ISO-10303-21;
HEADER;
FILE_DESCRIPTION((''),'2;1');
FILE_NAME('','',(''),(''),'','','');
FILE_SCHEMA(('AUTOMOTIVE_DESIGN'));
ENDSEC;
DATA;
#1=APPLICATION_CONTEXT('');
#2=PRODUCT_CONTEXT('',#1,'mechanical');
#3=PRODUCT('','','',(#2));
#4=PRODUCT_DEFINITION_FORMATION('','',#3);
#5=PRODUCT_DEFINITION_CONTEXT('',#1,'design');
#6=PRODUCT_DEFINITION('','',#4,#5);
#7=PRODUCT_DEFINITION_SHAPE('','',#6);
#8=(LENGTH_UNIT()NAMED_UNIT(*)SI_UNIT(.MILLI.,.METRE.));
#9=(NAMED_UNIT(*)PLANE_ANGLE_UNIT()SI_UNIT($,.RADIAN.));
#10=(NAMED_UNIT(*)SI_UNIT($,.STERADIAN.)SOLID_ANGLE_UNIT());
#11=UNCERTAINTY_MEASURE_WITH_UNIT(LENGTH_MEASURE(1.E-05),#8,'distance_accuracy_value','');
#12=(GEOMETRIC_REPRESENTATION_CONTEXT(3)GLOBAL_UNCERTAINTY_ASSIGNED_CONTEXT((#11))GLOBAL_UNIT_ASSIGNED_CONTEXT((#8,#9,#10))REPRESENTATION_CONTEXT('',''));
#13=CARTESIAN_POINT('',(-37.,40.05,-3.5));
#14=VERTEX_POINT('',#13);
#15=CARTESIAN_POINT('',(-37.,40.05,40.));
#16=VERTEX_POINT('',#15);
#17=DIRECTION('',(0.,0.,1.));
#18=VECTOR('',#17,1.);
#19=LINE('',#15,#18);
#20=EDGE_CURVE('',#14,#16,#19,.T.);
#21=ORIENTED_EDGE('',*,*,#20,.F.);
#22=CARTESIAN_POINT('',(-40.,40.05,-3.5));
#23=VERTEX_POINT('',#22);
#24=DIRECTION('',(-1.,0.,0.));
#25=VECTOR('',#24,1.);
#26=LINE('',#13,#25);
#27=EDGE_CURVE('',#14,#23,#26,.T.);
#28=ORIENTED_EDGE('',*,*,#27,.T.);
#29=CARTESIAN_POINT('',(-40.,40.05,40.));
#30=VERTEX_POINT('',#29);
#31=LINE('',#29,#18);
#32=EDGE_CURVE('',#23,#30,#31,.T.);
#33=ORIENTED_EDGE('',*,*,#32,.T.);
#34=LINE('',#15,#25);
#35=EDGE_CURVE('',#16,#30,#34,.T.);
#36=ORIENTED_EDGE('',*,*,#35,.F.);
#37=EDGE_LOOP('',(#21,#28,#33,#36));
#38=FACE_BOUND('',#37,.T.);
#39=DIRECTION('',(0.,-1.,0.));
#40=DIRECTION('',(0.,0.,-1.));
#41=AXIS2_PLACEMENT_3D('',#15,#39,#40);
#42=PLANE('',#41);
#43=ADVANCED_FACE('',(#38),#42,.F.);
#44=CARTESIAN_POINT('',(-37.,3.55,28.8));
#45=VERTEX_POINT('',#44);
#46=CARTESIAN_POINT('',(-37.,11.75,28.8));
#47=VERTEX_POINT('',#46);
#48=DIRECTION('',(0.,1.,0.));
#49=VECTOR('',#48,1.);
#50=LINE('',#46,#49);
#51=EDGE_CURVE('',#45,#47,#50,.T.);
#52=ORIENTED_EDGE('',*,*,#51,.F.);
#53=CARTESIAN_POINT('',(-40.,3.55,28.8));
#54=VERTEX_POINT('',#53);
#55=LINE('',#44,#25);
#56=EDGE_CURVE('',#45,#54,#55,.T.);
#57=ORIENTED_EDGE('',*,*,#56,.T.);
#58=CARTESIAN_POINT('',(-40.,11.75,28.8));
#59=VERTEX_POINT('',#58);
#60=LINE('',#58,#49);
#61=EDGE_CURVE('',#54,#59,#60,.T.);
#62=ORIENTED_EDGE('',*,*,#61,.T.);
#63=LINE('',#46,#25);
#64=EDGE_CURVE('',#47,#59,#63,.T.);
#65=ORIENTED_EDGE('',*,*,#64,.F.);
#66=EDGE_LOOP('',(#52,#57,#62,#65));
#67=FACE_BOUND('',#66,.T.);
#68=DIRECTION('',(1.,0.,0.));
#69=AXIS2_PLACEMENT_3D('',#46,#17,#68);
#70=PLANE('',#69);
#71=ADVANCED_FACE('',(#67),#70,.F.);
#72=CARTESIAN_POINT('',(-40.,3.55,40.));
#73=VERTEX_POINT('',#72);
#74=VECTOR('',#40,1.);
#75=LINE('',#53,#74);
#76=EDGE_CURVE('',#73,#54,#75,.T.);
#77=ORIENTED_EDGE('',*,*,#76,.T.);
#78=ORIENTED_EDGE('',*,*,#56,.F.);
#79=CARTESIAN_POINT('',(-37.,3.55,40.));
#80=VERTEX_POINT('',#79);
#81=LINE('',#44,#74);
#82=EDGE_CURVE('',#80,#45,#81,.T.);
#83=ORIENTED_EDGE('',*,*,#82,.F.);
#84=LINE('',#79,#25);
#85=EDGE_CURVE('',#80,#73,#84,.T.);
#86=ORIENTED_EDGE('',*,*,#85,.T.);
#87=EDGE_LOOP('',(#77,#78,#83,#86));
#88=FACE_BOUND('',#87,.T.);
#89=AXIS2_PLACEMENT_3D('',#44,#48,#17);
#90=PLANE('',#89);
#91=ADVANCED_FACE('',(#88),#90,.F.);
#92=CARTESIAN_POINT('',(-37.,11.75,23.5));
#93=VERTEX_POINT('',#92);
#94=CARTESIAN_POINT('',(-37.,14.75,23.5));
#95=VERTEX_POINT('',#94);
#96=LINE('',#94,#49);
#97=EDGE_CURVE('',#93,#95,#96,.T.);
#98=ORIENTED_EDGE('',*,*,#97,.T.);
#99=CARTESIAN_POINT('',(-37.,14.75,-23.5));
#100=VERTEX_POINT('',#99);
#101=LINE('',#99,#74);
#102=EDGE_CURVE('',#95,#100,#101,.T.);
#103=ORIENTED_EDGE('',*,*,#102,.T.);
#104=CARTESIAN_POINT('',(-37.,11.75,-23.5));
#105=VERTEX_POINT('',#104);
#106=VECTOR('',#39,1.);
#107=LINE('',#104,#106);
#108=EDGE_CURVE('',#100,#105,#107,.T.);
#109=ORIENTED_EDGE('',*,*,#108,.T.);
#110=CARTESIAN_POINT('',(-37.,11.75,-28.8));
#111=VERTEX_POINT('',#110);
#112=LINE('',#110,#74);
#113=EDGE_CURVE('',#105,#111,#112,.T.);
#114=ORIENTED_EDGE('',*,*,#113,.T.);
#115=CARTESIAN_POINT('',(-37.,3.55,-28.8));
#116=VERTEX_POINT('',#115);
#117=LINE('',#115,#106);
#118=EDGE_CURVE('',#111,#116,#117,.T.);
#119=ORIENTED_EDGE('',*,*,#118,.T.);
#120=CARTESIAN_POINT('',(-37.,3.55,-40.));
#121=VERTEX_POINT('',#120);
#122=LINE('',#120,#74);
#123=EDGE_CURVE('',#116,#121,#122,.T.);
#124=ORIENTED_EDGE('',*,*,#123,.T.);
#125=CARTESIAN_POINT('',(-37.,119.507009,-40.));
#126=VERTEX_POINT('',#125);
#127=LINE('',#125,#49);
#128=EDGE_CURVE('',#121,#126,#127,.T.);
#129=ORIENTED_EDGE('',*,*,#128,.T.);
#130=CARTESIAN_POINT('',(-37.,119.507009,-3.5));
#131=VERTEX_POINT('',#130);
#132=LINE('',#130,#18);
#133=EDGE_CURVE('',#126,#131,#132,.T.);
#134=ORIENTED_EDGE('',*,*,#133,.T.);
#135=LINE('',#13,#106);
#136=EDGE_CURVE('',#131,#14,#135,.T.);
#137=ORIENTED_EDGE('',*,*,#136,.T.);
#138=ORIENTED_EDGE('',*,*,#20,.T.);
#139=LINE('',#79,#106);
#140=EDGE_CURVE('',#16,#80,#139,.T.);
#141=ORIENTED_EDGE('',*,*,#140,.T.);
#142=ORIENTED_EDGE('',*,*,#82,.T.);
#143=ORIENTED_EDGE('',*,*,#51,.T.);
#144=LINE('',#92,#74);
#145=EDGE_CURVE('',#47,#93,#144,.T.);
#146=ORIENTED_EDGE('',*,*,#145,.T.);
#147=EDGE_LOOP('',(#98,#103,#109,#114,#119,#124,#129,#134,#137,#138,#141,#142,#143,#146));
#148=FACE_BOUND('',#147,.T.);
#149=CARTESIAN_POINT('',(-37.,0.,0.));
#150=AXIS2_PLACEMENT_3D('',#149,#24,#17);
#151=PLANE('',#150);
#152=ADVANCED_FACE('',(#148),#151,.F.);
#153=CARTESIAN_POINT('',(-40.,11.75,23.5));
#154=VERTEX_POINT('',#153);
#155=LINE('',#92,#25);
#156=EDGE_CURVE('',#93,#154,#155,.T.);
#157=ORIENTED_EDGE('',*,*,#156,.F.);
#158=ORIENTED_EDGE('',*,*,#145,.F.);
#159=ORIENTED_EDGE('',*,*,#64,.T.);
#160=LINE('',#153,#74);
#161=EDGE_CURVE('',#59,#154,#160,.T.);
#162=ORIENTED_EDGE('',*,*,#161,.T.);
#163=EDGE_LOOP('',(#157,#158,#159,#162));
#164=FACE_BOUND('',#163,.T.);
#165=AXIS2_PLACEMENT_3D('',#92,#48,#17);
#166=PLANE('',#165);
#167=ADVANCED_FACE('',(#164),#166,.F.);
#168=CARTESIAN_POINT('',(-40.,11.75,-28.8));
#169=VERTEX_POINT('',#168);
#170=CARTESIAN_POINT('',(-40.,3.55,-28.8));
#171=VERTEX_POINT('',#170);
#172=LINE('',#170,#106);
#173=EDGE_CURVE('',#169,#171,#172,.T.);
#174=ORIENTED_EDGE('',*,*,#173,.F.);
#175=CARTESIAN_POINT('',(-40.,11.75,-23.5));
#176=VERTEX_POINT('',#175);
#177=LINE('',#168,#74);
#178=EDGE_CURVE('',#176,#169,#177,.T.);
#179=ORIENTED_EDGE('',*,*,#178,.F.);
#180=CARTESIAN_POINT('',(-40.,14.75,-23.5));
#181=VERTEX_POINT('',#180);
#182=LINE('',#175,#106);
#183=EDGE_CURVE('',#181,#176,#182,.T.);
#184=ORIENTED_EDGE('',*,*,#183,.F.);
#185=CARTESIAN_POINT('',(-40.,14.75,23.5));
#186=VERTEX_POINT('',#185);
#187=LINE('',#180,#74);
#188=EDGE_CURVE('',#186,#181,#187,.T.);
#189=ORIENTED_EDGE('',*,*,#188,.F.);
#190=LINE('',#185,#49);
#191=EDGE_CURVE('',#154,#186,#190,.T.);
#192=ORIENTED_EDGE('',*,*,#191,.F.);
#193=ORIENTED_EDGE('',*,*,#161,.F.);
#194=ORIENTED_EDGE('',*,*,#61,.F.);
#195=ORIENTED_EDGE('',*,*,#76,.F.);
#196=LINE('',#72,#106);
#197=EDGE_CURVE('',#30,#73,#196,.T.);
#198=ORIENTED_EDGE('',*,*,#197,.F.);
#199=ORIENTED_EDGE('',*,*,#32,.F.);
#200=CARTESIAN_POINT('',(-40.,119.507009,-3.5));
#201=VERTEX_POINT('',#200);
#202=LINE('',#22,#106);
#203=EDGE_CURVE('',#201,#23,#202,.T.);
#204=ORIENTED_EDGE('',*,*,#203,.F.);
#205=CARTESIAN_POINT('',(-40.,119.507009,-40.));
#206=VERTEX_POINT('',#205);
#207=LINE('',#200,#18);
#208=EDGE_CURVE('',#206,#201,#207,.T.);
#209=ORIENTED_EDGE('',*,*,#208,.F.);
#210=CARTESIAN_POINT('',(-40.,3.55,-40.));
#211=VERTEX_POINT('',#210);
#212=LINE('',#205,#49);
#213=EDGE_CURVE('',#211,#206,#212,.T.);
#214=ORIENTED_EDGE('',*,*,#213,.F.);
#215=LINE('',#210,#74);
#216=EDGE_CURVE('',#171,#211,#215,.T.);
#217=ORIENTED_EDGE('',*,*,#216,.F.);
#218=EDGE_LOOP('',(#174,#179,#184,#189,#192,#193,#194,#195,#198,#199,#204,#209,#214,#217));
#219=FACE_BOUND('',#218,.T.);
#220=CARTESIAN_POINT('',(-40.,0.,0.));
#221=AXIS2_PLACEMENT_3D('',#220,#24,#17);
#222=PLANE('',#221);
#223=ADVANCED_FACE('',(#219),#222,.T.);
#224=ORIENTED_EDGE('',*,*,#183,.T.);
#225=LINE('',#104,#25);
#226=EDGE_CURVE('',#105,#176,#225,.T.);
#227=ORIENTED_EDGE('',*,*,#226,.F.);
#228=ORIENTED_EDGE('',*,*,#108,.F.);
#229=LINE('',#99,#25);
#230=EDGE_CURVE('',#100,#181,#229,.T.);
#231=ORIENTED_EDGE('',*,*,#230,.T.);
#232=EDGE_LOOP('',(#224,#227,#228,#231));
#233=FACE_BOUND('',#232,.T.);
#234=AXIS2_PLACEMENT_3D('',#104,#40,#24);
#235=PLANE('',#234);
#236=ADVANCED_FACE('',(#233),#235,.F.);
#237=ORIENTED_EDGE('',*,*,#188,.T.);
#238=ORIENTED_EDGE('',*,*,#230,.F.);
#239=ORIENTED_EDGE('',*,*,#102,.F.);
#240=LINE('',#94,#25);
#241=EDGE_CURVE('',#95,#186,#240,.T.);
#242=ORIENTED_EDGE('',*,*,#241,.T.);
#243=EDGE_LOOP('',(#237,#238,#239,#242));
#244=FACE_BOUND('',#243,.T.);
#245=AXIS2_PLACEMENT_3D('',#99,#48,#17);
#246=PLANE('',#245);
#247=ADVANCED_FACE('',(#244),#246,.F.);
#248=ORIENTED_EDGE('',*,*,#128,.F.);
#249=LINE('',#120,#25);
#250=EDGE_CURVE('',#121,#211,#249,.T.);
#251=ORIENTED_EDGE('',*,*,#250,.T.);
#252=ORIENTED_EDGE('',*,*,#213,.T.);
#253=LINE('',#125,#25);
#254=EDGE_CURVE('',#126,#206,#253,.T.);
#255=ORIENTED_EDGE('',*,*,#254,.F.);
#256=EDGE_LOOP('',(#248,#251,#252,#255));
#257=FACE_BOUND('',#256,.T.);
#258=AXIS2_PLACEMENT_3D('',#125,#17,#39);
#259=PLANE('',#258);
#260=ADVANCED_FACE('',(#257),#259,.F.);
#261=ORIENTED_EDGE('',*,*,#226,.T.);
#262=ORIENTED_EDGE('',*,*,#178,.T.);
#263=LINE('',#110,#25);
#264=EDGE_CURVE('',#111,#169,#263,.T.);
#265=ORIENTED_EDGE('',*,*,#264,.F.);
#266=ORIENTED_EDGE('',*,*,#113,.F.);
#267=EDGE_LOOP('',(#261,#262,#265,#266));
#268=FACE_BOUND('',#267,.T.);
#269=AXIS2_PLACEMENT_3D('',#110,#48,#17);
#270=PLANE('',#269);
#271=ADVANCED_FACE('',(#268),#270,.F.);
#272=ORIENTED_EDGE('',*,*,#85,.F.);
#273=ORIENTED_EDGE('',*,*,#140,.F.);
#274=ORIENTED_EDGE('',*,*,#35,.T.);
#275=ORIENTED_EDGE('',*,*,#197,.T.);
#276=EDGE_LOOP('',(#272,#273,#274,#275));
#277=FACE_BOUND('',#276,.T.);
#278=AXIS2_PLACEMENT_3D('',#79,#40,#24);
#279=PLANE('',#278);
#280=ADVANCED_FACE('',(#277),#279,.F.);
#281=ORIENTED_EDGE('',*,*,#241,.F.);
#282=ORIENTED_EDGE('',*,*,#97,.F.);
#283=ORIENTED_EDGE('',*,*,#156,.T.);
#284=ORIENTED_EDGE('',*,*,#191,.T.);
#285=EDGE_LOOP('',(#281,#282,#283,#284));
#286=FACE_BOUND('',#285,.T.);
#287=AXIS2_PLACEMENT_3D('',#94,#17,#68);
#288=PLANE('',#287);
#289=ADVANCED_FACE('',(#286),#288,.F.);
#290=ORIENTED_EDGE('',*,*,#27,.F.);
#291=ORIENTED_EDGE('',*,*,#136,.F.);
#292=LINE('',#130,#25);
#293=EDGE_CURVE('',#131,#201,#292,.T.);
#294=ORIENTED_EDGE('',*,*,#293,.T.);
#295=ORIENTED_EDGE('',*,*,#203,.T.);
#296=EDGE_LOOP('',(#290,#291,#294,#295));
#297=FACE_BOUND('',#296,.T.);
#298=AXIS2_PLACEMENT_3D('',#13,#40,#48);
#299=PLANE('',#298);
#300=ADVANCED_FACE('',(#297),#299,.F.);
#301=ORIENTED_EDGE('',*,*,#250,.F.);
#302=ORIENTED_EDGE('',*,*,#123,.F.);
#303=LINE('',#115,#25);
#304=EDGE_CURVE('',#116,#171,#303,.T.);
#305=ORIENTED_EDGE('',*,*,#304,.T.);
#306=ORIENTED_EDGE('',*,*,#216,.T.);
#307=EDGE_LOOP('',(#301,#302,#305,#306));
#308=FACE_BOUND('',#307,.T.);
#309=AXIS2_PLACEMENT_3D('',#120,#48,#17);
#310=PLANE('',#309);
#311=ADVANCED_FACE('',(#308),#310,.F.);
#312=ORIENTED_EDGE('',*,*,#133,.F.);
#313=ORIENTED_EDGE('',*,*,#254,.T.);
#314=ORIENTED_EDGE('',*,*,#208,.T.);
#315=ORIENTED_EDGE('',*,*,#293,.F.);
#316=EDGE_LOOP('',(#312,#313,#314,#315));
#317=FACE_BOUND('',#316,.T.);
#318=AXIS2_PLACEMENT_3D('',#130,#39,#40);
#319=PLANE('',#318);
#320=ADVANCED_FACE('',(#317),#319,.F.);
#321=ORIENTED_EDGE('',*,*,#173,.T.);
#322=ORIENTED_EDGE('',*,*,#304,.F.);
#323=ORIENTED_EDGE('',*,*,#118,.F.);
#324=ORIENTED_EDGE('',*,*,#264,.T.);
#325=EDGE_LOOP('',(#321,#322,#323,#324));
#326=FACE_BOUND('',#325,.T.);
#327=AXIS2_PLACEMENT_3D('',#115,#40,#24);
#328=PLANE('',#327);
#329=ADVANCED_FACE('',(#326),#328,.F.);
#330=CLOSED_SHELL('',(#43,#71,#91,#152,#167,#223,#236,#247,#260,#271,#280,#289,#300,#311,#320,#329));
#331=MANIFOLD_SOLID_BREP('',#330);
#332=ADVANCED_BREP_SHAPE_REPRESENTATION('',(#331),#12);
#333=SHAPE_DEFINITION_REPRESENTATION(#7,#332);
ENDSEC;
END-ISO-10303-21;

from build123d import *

# Parameters (mm, degrees)
BOSS_EXTRUDE1_DEPTH = 3


with BuildPart() as part:
    # Sketch4 → Boss-Extrude1 (new body)
    with BuildSketch(Plane(origin=(-40, 0, 0), x_dir=(0, 0, -1), z_dir=(1, 0, 0))):
        Polygon((40, 119.507009142), (40, 3.55), (28.8, 3.55), (28.8, 11.75), (23.5, 11.75), (23.5, 14.75), (-23.5, 14.75), (-23.5, 11.75), (-28.8, 11.75), (-28.8, 3.55), (-40, 3.55), (-40, 40.05), (3.5, 40.05), (3.5, 119.507009142), align=None)
    extrude(amount=BOSS_EXTRUDE1_DEPTH)


solid = part.part
